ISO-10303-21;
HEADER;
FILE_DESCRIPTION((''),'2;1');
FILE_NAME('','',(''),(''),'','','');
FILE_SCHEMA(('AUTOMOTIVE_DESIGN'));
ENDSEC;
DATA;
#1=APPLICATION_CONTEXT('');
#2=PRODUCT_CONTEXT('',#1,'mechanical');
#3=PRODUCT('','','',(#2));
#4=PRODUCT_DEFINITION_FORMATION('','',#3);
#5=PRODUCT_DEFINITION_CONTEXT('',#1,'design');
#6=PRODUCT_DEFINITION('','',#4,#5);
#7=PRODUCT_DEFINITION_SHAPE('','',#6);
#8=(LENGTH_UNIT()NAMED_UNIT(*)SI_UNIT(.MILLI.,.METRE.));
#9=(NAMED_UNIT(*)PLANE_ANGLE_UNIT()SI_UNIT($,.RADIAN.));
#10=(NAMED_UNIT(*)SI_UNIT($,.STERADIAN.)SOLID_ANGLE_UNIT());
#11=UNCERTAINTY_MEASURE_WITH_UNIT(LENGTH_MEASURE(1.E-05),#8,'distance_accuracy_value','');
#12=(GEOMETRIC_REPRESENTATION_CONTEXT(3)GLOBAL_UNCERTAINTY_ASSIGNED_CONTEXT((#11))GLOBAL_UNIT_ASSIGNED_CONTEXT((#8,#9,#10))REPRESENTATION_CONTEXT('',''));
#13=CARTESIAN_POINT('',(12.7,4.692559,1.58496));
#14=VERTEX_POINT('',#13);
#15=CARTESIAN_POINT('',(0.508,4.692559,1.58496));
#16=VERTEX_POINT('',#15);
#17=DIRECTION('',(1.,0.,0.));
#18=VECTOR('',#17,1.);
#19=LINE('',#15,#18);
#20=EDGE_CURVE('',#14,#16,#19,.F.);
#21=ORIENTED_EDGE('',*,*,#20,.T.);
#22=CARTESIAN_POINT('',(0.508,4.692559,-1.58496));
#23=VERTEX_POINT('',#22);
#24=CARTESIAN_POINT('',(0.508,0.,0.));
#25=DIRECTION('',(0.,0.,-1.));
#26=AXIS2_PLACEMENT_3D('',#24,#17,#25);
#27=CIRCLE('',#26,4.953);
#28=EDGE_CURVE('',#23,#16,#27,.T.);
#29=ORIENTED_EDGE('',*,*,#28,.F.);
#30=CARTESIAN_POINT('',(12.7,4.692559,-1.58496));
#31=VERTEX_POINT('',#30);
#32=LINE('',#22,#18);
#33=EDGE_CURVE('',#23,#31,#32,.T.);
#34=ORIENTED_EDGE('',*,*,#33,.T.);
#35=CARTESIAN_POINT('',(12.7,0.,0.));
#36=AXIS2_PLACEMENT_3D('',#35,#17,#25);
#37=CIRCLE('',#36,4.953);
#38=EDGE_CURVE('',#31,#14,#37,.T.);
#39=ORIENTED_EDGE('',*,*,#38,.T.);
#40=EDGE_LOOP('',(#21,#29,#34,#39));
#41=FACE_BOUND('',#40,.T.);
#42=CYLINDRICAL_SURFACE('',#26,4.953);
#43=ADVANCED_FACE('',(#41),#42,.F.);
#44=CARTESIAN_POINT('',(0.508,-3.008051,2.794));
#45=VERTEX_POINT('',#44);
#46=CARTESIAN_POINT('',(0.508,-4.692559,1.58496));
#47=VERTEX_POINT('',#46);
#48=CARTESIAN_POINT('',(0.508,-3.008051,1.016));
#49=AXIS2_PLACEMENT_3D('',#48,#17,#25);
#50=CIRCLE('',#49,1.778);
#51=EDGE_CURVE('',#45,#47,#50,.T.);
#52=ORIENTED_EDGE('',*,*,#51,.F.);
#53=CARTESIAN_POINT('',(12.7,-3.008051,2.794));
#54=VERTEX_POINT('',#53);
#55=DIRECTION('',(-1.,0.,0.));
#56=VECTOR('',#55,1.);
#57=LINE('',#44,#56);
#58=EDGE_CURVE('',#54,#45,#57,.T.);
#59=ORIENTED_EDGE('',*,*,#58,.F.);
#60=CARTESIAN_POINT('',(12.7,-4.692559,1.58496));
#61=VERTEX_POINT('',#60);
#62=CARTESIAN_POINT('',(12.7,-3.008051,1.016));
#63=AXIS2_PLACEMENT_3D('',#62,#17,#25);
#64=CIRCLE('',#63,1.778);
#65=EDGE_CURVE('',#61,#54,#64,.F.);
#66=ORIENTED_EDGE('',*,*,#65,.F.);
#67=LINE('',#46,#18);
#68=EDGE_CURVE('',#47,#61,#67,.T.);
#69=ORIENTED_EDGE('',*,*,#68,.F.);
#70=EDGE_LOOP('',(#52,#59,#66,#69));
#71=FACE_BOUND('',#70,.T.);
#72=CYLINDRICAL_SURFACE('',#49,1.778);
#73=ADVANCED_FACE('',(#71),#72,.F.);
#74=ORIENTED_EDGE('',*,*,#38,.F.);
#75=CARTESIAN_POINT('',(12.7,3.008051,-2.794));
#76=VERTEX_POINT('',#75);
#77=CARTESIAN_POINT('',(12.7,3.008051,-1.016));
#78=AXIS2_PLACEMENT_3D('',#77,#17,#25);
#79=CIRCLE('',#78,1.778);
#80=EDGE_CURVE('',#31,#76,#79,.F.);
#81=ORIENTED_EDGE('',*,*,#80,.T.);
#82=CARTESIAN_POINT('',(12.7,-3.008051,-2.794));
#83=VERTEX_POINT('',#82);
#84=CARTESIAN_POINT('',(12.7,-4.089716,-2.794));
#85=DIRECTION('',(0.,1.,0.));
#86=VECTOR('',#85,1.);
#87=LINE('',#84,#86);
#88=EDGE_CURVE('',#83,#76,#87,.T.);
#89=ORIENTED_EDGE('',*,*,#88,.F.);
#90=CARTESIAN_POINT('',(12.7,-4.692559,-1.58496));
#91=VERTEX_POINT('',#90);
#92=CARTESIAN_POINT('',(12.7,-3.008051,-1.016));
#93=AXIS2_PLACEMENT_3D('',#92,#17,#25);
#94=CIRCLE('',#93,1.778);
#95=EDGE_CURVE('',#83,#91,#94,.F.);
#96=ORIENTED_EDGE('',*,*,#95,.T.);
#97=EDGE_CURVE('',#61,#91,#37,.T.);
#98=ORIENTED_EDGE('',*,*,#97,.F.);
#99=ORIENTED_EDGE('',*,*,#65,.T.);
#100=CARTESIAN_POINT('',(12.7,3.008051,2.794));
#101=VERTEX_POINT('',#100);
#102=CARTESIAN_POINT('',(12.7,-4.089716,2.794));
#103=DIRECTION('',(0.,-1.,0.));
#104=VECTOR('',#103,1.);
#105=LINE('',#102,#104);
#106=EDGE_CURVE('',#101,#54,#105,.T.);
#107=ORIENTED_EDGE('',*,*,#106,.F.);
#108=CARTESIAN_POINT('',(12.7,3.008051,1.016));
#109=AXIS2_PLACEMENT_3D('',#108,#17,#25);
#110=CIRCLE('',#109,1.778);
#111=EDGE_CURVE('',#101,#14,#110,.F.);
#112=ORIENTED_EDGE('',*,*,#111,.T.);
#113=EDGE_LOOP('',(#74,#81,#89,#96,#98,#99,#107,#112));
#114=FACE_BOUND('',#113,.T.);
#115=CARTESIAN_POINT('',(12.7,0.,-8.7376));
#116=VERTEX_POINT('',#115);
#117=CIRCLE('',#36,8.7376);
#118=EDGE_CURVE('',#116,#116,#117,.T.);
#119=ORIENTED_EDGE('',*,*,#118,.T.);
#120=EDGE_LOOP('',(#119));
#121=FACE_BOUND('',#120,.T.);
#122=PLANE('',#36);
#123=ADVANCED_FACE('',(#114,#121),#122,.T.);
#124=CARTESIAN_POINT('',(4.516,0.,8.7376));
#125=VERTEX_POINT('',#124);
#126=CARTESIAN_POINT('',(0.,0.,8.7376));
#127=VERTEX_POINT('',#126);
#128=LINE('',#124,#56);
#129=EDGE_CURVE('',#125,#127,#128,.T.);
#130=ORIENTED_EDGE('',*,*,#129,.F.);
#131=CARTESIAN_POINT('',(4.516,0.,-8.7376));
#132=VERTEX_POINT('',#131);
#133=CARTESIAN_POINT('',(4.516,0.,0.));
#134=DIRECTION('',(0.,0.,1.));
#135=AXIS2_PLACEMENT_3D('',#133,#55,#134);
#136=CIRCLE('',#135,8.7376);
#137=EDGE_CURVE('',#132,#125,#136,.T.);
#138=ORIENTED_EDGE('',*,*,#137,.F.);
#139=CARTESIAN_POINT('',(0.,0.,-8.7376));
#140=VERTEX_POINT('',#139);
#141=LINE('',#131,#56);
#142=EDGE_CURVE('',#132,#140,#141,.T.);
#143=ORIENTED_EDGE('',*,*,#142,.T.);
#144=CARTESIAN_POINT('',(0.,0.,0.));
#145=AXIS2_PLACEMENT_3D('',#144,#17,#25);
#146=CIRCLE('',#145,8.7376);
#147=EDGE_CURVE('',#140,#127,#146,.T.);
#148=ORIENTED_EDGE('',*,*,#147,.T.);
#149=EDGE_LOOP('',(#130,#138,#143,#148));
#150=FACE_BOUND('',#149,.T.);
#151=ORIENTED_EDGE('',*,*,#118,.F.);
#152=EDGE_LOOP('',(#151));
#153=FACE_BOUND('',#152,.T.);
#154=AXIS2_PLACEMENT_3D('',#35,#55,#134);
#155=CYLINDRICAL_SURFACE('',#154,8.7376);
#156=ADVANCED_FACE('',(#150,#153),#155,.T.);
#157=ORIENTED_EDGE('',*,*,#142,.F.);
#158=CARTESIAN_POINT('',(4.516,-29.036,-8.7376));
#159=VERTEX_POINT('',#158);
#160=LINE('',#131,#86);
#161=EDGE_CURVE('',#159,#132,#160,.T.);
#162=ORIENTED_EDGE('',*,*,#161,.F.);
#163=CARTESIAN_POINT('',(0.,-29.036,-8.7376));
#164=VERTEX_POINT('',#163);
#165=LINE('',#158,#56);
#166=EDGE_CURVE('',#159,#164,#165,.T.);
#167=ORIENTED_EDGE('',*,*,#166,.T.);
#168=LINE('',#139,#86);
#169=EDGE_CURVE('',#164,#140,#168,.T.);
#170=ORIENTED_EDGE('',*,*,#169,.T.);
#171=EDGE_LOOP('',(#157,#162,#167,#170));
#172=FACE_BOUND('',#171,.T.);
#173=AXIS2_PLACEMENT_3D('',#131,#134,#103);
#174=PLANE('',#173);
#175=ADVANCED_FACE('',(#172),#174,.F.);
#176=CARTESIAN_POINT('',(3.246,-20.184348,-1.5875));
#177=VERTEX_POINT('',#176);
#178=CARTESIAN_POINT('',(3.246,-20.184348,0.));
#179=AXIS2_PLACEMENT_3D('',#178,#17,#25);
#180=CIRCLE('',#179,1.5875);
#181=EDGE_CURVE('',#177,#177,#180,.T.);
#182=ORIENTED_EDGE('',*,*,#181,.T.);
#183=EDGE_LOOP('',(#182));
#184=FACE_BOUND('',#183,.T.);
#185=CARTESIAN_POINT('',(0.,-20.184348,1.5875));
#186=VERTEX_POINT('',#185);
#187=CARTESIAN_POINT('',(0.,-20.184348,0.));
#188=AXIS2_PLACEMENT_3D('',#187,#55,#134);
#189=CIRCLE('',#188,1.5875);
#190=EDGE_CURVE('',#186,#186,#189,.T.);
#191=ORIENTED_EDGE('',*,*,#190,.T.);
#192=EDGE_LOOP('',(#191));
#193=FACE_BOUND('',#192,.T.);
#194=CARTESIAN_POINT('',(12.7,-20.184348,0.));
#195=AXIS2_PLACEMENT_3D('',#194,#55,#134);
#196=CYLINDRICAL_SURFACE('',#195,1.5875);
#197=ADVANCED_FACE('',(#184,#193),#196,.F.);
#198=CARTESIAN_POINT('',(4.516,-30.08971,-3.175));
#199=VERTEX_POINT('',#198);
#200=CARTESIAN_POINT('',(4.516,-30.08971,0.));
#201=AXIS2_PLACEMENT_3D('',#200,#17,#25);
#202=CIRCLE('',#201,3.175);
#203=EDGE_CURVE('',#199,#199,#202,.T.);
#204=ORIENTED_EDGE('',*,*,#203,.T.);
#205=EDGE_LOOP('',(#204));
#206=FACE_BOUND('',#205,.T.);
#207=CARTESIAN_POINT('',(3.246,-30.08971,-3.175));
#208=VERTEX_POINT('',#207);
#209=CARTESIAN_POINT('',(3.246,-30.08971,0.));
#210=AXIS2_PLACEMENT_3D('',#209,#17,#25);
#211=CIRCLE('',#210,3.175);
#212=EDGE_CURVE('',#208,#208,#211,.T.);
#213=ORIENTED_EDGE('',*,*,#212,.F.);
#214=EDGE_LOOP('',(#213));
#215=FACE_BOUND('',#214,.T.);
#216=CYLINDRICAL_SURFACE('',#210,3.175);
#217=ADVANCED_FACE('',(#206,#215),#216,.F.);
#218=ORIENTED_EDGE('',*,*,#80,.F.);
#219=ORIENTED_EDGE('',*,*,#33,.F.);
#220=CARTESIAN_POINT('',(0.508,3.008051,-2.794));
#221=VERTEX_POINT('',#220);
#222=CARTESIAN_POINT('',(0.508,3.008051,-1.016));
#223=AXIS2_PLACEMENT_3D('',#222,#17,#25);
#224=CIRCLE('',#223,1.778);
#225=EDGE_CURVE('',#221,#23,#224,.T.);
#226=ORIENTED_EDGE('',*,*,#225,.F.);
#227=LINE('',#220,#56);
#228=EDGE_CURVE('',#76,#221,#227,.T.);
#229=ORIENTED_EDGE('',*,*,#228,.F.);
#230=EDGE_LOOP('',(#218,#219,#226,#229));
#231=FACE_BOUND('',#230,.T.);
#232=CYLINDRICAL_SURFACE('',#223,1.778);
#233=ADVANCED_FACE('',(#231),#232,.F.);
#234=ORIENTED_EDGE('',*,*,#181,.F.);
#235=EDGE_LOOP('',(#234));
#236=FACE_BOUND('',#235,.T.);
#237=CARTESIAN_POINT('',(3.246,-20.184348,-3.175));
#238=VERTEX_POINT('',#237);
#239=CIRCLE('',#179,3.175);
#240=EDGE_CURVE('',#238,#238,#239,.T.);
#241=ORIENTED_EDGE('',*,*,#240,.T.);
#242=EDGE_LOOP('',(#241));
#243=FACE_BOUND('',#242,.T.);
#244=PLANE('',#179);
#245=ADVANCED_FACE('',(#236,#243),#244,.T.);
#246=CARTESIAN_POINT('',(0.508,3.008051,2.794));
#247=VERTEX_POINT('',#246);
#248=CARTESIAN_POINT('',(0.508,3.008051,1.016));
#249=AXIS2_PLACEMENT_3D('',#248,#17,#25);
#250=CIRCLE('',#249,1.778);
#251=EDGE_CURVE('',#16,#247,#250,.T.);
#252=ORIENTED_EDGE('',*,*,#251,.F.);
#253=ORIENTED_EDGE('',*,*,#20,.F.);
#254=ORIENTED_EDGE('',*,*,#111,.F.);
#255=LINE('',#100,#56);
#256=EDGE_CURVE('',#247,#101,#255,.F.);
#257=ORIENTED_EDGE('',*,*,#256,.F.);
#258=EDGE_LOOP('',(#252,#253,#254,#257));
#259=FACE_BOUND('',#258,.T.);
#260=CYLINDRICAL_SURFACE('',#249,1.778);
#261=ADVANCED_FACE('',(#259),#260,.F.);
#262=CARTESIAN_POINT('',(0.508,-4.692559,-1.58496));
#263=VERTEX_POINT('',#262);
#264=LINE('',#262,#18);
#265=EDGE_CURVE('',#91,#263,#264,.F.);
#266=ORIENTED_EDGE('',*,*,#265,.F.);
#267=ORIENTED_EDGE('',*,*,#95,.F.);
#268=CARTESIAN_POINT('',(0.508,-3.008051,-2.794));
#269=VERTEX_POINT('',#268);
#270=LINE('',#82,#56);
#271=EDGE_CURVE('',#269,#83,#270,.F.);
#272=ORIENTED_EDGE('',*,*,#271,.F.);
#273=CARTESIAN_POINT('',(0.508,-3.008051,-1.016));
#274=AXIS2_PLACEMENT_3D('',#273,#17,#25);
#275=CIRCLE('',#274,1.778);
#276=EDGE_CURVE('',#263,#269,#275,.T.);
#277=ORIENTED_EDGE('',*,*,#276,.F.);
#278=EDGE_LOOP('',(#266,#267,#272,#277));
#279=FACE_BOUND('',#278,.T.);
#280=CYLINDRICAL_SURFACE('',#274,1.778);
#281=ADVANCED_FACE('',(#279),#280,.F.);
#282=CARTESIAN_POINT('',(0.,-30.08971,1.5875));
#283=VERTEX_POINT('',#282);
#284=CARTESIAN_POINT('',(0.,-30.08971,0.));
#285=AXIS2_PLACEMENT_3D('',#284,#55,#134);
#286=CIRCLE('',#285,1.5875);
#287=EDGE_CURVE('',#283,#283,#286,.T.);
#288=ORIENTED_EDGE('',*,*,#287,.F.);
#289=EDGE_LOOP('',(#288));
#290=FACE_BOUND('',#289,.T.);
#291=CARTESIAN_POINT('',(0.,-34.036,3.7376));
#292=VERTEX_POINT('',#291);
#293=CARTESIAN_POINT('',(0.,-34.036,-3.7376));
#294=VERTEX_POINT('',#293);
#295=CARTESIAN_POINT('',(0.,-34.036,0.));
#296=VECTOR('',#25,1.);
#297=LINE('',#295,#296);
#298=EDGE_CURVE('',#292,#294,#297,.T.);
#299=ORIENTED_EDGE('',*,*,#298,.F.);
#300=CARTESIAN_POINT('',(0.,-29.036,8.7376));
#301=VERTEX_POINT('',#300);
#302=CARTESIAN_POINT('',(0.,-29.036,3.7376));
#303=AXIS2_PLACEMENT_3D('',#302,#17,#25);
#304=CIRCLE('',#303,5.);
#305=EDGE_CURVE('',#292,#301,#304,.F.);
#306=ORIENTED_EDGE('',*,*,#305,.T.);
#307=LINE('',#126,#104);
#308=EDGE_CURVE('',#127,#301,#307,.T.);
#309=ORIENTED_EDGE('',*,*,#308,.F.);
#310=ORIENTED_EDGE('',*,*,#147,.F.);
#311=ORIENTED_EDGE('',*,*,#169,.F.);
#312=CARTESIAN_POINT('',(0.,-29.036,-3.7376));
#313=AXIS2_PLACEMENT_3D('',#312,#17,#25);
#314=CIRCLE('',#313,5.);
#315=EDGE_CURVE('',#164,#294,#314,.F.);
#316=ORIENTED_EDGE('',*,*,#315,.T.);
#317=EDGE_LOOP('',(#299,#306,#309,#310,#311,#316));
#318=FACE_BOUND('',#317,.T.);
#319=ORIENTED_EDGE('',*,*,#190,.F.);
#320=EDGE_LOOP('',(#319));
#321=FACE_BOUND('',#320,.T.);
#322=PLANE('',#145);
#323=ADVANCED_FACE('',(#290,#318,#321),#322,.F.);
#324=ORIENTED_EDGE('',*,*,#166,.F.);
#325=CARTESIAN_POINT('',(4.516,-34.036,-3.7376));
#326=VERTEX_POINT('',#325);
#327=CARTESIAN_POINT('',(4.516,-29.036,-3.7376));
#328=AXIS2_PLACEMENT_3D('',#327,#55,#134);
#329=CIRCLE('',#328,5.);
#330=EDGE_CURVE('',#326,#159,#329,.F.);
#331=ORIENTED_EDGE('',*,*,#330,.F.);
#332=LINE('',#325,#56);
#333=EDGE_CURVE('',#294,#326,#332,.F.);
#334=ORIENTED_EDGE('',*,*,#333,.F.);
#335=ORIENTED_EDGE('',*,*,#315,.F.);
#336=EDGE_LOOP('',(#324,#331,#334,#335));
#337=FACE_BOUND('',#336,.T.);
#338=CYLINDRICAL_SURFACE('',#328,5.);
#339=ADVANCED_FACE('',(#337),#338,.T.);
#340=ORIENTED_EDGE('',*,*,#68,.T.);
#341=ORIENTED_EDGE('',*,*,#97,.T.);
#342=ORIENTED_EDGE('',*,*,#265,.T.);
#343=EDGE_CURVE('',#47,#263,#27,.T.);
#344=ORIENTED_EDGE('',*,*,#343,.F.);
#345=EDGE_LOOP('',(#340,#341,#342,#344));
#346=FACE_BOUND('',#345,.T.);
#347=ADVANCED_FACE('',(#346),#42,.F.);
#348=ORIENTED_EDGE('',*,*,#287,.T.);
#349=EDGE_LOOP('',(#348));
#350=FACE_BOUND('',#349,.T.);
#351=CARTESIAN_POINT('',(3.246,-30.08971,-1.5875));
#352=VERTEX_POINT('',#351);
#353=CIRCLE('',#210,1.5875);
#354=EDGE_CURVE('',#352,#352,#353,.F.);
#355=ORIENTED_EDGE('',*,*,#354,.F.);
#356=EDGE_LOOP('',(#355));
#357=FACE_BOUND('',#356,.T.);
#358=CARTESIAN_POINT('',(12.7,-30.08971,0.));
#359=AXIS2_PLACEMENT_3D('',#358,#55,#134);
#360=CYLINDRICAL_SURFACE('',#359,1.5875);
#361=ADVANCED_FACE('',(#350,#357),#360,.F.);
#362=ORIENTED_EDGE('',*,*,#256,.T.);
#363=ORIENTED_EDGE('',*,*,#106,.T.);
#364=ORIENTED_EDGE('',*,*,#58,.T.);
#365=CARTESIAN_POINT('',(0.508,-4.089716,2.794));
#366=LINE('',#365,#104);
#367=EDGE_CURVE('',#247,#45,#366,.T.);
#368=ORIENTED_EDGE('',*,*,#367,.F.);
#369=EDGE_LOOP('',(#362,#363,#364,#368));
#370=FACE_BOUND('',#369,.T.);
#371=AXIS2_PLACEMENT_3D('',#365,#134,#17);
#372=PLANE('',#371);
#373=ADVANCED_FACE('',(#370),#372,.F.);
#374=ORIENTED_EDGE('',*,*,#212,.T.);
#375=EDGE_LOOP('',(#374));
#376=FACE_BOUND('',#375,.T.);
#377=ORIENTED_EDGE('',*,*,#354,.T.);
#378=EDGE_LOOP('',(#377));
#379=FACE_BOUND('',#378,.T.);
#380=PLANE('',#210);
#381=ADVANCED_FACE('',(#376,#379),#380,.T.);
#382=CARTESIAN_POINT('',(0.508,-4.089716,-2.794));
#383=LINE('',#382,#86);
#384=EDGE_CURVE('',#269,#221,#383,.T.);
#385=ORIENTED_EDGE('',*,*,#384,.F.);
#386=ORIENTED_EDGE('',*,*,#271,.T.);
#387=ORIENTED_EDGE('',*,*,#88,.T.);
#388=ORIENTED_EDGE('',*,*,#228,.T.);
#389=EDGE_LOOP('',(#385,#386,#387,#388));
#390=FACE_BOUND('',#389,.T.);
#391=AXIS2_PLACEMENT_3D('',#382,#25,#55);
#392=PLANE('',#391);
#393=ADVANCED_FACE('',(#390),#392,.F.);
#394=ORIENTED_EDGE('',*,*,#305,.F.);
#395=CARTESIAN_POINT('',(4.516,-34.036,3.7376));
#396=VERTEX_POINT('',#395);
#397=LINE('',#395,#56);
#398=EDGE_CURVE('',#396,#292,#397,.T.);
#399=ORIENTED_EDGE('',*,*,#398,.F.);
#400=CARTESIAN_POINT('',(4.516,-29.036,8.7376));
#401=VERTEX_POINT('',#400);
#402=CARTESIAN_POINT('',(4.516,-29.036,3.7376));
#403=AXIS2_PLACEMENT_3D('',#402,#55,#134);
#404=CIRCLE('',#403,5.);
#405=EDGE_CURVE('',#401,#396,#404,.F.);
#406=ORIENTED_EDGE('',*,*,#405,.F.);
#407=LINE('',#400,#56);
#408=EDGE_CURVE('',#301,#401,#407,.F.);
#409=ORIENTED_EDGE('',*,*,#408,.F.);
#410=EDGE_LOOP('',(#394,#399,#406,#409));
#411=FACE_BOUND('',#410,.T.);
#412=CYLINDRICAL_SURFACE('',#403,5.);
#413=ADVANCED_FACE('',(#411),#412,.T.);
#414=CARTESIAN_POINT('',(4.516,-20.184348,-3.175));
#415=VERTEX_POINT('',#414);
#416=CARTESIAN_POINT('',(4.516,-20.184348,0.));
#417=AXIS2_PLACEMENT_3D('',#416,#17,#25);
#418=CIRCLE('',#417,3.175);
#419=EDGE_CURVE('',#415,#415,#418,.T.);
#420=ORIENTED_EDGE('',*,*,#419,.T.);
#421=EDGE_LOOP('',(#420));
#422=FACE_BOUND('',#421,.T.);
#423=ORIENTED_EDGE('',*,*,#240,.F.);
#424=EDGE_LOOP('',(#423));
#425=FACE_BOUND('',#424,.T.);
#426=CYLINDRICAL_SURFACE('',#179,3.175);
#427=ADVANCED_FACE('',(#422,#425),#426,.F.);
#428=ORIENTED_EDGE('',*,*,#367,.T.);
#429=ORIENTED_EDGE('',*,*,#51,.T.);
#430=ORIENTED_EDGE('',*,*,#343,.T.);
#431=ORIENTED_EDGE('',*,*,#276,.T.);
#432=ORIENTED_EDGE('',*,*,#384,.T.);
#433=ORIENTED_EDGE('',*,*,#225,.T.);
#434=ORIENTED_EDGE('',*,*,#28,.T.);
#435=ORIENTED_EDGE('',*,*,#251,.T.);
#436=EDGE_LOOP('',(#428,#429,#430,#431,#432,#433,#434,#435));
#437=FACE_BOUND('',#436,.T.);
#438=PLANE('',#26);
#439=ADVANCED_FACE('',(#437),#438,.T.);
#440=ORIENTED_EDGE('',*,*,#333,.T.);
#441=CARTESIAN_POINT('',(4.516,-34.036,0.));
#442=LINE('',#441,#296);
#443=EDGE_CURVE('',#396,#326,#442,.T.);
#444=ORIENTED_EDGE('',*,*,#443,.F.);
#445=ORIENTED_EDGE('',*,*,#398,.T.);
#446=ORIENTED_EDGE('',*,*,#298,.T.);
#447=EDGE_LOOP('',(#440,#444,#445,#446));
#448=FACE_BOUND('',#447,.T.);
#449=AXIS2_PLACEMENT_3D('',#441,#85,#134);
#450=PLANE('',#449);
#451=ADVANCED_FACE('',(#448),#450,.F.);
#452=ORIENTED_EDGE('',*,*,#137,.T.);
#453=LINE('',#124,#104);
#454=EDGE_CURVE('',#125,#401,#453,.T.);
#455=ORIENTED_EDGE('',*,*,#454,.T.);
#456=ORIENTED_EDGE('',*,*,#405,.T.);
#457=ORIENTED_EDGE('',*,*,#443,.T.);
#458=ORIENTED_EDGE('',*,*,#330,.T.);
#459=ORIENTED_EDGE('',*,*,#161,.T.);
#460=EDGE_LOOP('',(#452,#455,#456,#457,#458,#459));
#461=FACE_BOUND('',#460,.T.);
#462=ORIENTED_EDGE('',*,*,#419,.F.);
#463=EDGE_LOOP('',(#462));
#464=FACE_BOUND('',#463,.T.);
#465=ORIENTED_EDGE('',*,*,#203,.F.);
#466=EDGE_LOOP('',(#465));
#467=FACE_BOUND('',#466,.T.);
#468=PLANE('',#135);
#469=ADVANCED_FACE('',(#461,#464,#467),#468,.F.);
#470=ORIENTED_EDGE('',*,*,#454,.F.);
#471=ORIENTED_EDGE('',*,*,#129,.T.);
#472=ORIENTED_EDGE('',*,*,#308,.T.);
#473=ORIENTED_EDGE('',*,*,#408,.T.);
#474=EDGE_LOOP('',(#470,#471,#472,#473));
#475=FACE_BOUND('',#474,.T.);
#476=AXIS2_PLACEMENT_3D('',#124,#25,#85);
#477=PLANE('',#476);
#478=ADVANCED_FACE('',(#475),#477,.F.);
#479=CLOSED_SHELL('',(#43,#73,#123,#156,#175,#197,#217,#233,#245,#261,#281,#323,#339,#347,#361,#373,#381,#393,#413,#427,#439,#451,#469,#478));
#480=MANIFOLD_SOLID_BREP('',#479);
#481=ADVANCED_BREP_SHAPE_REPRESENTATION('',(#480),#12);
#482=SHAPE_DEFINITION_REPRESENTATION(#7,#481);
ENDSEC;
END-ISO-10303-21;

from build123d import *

# Parameters (mm, degrees)
SKETCH1_R           = 8.7376
BOSS_EXTRUDE1_DEPTH = 12.7
BOSS_EXTRUDE3_DEPTH = 4.516000112
FILLET2_R           = 5
CUT_EXTRUDE10_DEPTH = 12.192
SKETCH23_R          = 1.5875
CUT_EXTRUDE11_DEPTH = 38.364220181
CUT_EXTRUDE13_START = -1.27
SKETCH24_R          = 3.175
SKETCH24_R_2        = 1.5875
CUT_EXTRUDE13_DEPTH = 1.27
FILLET11_R          = 1.778


with BuildPart() as part:
    # Sketch1 → Boss-Extrude1 (new body)
    with BuildSketch(Plane.YZ):
        Circle(SKETCH1_R)
    extrude(amount=BOSS_EXTRUDE1_DEPTH)

    # Sketch10 → Boss-Extrude3 (add)
    with BuildSketch(Plane(origin=(0, 0, 0), x_dir=(0, -1, 0), z_dir=(-1, 0, 0))):
        with BuildLine():
            Line((34.036, 8.7376), (0, 8.7376))
            ThreePointArc((0, 8.7376), (8.7376, 0), (0, -8.7376))
            Line((0, -8.7376), (34.036, -8.7376))
            Line((34.036, -8.7376), (34.036, 8.7376))
        make_face()
    extrude(amount=-BOSS_EXTRUDE3_DEPTH)

    # Fillet2
    fillet2_edges = [part.edges().sort_by_distance(p)[0] for p in [
        (2.258000056, -34.036, 8.7376),
        (2.258000056, -34.036, -8.7376),
    ]]
    fillet(fillet2_edges, radius=FILLET2_R)

    # Sketch22 → Cut-Extrude10 (cut)
    with BuildSketch(Plane.YZ.offset(12.7)):
        with BuildLine():
            Line((-4.089715516, -2.794), (4.089715516, -2.794))
            ThreePointArc((4.089715516, -2.794), (4.953, 0), (4.089715516, 2.794))
            Line((4.089715516, 2.794), (-4.089715516, 2.794))
            ThreePointArc((-4.089715516, 2.794), (-4.953, 0), (-4.089715516, -2.794))
        make_face()
    extrude(amount=-CUT_EXTRUDE10_DEPTH, mode=Mode.SUBTRACT)

    # Sketch23 → Cut-Extrude11 (cut, through all)
    with BuildSketch(Plane.ZY):
        with Locations((0, -30.089710358)):
            Circle(SKETCH23_R)
        with Locations((0, -20.184348406)):
            Circle(SKETCH23_R)
    extrude(amount=-CUT_EXTRUDE11_DEPTH, mode=Mode.SUBTRACT)

    # Sketch24 → Cut-Extrude13 (cut)
    # profile 1 of 2: a face of its own
    with BuildSketch(Plane.YZ.offset(4.516000112).offset(CUT_EXTRUDE13_START)):
        with Locations((-20.184348406, 0)):
            Circle(SKETCH24_R)
        with Locations((-20.184348406, 0)):
            Circle(SKETCH24_R_2, mode=Mode.SUBTRACT)
    # profile 2 of 2: a face of its own
    with BuildSketch(Plane.YZ.offset(4.516000112).offset(CUT_EXTRUDE13_START)):
        with Locations((-30.089710358, 0)):
            Circle(SKETCH24_R)
    extrude(amount=CUT_EXTRUDE13_DEPTH, mode=Mode.SUBTRACT)

    # Fillet11
    fillet11_edges = [part.edges().sort_by_distance(p)[0] for p in [
        (6.604, 4.089715516, -2.794),
        (6.604, 4.089715516, 2.794),
        (6.604, -4.089715516, -2.794),
        (6.604, -4.089715516, 2.794),
    ]]
    fillet(fillet11_edges, radius=FILLET11_R)


solid = part.part
